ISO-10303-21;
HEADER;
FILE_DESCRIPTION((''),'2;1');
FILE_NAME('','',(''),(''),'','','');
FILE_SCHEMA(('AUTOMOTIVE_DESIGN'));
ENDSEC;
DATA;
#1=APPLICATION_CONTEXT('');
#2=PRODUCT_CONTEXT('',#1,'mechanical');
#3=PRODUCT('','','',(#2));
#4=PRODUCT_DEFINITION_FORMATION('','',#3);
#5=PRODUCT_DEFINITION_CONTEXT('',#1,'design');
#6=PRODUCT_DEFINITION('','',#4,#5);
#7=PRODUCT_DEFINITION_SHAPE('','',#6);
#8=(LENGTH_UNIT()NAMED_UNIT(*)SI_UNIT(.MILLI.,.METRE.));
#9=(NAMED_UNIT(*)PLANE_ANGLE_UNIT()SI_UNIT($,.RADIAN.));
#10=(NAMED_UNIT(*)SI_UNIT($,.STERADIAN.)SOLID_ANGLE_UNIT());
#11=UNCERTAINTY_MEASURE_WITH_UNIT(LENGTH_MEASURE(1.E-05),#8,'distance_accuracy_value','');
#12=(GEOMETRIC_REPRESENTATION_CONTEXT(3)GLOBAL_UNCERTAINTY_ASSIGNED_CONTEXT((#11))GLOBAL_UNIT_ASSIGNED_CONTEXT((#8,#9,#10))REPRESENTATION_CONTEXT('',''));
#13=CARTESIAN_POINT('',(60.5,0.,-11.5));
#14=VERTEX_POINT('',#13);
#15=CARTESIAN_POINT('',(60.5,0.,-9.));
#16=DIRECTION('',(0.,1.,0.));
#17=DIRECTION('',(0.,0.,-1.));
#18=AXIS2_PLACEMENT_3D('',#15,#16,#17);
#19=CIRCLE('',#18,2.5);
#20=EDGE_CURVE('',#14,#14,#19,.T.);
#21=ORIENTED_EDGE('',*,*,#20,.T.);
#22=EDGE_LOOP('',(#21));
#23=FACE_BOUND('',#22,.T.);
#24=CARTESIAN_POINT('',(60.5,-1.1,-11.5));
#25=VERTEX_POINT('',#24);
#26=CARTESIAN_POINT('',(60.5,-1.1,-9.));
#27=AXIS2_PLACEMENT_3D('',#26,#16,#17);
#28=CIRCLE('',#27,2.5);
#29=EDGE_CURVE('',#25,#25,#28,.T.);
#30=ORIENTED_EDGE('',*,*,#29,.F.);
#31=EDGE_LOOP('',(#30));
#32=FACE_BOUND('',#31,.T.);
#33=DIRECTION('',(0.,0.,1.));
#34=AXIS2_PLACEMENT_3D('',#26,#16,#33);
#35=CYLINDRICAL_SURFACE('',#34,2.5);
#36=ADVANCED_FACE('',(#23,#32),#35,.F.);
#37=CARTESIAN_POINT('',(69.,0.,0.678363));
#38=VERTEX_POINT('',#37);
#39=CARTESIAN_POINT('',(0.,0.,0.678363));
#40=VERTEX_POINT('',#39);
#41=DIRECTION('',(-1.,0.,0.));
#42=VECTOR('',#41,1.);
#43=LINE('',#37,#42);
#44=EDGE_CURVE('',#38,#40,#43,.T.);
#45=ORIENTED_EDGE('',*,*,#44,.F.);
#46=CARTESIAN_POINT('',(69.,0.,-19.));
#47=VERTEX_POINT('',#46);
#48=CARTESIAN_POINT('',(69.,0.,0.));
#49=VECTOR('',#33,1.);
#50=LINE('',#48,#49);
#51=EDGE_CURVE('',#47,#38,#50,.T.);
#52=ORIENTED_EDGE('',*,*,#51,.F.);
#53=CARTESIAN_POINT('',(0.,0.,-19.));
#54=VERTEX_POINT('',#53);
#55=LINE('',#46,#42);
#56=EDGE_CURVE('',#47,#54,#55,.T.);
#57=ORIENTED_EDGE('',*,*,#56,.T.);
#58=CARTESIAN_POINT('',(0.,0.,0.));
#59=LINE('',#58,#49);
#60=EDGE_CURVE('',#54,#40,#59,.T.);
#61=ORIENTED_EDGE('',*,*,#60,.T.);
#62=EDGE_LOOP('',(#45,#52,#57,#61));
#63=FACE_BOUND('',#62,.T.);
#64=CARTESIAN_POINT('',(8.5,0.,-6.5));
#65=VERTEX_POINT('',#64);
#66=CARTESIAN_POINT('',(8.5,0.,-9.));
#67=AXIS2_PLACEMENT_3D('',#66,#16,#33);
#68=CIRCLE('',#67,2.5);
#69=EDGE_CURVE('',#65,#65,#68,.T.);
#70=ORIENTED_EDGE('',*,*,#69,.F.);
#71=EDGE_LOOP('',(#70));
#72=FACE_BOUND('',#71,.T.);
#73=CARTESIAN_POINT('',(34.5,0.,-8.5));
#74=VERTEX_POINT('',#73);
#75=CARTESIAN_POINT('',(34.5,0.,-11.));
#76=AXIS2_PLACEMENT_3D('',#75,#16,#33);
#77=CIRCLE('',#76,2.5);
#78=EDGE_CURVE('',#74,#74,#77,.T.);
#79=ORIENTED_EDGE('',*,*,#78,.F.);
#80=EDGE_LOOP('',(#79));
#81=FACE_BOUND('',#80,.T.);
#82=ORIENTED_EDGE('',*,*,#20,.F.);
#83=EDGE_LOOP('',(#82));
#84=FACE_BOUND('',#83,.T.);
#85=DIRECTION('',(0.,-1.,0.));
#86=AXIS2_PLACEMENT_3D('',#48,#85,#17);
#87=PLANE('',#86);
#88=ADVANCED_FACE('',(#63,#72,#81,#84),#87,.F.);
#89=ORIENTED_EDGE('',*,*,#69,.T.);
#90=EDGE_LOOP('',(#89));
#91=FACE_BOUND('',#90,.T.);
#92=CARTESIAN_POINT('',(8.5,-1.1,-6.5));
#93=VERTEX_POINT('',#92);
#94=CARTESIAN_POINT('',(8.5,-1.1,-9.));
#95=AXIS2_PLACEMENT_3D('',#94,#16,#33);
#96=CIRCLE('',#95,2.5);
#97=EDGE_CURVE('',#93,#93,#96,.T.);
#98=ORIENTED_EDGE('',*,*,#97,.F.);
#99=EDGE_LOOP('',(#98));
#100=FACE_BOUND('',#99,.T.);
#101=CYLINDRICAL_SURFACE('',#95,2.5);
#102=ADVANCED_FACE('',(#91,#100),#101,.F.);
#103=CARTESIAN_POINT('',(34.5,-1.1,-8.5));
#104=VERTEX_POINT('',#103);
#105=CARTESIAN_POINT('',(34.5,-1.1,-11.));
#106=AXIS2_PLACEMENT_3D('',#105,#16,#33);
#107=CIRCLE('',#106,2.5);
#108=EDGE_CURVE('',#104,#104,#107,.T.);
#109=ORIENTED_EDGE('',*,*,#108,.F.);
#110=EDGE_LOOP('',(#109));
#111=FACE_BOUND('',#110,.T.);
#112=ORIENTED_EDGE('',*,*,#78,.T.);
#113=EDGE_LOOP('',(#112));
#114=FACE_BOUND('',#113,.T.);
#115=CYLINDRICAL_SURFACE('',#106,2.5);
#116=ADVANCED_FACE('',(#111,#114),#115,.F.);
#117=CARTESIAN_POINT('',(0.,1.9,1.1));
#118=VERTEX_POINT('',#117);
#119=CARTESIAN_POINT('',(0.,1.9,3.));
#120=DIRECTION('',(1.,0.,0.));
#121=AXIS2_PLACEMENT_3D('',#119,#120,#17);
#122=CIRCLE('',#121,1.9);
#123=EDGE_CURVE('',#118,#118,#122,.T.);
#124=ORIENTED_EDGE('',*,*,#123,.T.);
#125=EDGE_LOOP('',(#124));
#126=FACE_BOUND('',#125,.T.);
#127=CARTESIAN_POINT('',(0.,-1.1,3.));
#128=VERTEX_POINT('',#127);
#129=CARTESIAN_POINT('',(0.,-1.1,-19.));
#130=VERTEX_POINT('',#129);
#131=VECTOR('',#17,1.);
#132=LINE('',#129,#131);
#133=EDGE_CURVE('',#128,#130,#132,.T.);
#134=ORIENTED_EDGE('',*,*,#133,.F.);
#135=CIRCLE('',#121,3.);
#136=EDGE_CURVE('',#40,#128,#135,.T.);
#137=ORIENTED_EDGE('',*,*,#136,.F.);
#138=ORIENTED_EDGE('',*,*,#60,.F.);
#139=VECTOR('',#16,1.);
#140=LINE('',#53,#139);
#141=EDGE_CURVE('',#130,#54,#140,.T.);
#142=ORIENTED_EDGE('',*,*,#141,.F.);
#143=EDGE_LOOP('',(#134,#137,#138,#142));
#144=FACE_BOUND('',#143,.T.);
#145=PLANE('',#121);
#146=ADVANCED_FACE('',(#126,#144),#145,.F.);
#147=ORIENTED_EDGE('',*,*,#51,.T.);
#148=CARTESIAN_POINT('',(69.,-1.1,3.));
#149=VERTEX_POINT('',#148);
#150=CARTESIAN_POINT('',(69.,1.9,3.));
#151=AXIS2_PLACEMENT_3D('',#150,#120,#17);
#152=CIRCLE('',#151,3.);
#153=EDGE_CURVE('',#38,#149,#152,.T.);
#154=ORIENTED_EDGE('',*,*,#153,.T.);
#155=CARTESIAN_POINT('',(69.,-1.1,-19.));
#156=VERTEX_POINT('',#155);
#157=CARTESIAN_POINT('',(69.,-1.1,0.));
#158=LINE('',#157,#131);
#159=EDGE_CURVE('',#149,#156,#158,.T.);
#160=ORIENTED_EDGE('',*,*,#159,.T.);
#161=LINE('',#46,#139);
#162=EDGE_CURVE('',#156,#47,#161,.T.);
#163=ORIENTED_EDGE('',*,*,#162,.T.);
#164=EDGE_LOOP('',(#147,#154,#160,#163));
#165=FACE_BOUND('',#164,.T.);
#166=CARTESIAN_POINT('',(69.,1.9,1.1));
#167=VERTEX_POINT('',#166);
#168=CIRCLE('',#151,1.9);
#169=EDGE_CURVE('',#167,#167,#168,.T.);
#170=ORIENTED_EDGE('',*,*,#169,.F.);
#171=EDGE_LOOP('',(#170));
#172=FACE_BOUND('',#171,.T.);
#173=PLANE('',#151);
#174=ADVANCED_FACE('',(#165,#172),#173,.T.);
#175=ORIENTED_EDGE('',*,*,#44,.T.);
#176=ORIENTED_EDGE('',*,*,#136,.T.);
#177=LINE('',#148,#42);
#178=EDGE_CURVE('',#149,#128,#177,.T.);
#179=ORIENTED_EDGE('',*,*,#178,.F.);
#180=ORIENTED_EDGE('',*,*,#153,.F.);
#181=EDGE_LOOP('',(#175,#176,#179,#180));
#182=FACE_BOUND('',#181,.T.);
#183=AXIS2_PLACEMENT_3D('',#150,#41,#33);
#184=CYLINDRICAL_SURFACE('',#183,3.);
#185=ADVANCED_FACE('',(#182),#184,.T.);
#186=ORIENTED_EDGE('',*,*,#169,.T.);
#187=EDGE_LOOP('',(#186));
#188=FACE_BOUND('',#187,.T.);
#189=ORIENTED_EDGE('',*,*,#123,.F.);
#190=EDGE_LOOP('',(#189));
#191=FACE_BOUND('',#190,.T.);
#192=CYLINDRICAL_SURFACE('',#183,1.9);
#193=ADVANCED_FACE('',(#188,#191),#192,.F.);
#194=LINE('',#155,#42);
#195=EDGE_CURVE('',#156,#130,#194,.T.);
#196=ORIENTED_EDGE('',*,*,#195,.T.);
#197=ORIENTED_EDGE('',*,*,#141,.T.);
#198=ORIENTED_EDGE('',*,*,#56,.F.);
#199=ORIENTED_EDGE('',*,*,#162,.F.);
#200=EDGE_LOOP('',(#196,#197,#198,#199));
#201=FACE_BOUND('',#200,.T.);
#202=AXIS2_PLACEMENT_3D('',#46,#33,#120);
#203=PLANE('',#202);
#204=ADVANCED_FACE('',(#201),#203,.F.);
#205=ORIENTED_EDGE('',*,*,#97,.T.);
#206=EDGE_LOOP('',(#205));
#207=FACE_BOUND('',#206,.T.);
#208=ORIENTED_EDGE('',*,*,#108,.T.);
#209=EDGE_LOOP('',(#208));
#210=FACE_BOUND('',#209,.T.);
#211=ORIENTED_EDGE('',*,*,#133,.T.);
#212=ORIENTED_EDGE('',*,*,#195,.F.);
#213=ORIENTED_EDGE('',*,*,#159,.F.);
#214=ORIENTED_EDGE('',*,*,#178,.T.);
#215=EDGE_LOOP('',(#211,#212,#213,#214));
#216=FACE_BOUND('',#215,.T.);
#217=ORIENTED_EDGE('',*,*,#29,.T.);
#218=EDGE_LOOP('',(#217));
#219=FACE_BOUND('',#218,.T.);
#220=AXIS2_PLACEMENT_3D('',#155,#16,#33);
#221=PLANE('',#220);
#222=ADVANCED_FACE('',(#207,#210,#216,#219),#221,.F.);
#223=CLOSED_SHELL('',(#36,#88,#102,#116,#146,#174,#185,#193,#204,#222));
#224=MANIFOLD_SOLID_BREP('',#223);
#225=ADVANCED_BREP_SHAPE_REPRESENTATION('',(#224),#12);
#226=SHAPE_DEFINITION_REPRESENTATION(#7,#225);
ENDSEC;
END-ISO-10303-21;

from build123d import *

# Parameters (mm, degrees)
SKETCH_1_R          = 1.9
EXTRUDE_1_DEPTH     = 69
SKETCH_2_R          = 2.5
CUT_EXTRUDE_1_DEPTH = 2.1


with BuildPart() as part:
    # 草图1 → 凸台-拉伸1 (new body)
    with BuildSketch(Plane(origin=(0, 0, 0), x_dir=(0, 0, -1), z_dir=(1, 0, 0))):
        with BuildLine():
            Line((0, 0), (19, 0))
            Line((19, 0), (19, -1.1))
            Line((19, -1.1), (0, -1.1))
            Line((0, -1.1), (-3, -1.1))
            ThreePointArc((-3, -1.1), (-4.284523258, 4.611088342), (-0.678362647, 0))
            Line((-0.678362647, 0), (0, 0))
        make_face()
        with Locations((-3, 1.9)):
            Circle(SKETCH_1_R, mode=Mode.SUBTRACT)
    extrude(amount=EXTRUDE_1_DEPTH)

    # 草图2 → 切除-拉伸1 (cut, through all)
    with BuildSketch(Plane(origin=(0, 0, 0), x_dir=(1, 0, 0), z_dir=(0, 1, 0))):
        with Locations((8.5, 9)):
            Circle(SKETCH_2_R)
        with Locations((60.5, 9)):
            Circle(SKETCH_2_R)
        with Locations((34.5, 11)):
            Circle(SKETCH_2_R)
    extrude(amount=-CUT_EXTRUDE_1_DEPTH, mode=Mode.SUBTRACT)


solid = part.part
